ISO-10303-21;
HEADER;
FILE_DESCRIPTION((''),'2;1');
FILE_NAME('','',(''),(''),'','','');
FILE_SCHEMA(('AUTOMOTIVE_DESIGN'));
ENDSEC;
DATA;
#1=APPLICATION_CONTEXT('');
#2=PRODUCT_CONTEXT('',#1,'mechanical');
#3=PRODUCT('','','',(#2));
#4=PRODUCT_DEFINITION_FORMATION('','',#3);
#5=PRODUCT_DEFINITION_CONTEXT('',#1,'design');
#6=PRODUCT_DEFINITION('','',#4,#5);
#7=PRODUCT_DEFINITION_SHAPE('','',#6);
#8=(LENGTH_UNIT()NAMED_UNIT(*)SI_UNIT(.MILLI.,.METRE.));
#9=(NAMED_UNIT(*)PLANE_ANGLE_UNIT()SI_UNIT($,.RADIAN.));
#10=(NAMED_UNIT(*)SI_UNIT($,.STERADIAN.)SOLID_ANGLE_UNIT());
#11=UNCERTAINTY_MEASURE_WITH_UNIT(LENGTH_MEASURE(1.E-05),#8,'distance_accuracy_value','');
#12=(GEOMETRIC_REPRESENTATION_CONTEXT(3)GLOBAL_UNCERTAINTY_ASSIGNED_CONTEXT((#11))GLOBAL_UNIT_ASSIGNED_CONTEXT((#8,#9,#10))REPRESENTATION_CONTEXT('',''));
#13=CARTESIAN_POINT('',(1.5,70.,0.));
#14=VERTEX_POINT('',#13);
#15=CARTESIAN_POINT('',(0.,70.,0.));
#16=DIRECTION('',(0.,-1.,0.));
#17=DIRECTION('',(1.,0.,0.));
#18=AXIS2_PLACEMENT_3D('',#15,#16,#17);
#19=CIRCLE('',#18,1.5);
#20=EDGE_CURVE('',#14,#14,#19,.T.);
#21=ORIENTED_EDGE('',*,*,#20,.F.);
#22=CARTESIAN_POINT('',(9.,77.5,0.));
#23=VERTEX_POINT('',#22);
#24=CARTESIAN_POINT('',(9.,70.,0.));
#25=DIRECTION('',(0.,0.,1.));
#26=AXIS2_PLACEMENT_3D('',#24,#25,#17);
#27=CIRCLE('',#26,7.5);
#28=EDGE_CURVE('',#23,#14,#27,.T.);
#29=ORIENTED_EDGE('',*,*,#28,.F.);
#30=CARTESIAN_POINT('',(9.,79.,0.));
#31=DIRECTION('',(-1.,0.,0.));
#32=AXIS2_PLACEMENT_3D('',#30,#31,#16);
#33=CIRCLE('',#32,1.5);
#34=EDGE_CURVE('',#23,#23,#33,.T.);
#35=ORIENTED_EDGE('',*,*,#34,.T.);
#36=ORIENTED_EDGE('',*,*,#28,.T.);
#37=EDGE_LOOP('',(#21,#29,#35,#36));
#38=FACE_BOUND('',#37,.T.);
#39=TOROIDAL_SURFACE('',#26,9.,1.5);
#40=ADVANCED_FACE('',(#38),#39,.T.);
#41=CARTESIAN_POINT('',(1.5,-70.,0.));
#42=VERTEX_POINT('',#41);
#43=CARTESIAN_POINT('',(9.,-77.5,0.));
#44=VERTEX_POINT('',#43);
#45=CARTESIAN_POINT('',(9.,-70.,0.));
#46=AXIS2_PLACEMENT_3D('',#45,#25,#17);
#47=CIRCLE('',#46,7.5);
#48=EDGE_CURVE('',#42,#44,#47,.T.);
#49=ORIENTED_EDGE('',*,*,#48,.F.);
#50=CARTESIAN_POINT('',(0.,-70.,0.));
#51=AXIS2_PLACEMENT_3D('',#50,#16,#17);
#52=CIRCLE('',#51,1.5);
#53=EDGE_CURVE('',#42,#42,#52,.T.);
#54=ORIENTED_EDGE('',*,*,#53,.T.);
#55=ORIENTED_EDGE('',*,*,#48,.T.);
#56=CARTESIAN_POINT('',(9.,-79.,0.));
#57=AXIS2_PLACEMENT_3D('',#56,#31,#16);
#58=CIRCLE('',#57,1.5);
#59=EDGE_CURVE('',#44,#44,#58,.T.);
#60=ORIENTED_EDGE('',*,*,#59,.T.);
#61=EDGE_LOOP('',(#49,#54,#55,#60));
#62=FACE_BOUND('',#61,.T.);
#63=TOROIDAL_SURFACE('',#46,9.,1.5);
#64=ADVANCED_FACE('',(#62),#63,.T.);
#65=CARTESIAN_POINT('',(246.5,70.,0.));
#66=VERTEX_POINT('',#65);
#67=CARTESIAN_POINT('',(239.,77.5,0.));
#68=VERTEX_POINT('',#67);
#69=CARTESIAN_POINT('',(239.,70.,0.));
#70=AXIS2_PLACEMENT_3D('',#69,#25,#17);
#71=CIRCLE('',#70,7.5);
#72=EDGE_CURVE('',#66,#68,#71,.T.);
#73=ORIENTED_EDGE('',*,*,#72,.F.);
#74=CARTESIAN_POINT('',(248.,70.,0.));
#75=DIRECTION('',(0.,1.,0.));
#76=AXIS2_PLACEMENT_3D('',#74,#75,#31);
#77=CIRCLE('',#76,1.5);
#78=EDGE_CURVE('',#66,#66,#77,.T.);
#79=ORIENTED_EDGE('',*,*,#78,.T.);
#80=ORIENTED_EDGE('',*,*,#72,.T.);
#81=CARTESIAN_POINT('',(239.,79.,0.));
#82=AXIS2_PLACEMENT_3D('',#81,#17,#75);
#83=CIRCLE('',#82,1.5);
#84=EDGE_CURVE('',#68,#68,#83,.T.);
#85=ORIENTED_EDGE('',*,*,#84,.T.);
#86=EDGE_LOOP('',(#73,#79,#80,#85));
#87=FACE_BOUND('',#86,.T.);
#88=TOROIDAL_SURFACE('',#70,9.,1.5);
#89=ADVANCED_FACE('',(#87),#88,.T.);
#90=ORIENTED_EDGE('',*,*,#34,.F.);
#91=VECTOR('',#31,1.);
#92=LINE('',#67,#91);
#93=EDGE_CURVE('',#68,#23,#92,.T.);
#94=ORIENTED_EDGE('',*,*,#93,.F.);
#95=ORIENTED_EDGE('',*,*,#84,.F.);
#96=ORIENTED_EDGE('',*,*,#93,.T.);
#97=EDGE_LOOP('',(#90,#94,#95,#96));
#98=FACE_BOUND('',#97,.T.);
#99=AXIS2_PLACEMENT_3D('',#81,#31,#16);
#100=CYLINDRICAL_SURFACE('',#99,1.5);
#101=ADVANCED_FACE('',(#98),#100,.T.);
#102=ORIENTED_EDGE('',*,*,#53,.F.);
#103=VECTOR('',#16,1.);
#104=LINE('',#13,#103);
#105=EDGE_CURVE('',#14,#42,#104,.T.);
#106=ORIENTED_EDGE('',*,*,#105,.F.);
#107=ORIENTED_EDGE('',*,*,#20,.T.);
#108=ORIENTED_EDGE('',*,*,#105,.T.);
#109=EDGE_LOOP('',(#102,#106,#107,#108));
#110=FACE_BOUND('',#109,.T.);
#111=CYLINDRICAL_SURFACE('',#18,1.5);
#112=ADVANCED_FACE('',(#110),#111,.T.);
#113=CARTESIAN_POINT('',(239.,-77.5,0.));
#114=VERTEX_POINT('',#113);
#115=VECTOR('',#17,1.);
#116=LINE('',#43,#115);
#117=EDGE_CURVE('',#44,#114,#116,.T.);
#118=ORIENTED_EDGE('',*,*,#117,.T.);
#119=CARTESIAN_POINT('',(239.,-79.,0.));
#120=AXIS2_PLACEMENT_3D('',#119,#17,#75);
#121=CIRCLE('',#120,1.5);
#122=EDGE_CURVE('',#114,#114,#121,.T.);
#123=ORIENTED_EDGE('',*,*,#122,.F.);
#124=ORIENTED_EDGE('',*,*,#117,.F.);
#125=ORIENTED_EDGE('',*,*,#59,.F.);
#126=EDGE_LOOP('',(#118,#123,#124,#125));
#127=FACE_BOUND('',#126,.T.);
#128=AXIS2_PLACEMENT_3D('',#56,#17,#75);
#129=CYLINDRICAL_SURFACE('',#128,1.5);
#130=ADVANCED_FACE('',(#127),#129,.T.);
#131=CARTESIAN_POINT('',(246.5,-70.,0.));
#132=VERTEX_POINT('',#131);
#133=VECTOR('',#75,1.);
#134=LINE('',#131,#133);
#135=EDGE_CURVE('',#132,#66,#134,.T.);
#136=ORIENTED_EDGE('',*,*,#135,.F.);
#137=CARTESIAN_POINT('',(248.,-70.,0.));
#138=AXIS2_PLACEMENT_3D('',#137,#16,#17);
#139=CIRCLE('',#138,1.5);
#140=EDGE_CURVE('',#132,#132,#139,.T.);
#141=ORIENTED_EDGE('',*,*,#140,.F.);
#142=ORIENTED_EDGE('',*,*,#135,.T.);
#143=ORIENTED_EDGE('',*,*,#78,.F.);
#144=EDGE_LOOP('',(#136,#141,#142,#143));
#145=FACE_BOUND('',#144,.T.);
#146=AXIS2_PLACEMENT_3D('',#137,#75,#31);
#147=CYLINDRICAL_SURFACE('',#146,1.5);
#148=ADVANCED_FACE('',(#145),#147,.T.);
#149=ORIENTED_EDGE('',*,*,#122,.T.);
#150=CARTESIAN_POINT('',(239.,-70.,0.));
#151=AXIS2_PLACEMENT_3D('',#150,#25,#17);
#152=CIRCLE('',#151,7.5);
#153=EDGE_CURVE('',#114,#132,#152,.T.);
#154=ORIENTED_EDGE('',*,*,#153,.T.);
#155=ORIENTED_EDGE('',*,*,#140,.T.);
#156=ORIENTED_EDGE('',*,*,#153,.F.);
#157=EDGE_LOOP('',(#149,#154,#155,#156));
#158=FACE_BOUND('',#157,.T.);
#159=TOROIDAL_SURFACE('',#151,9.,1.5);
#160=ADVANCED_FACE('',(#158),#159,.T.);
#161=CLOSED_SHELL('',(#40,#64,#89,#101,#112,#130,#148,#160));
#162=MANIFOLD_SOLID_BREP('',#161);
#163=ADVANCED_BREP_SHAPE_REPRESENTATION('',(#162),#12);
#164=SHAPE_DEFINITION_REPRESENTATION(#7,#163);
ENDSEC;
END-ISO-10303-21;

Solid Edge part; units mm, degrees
sketch "Sketch1" plane through (0, 0, 0) normal (0, 0, 1) x (1, 0, 0)
  line L0 (0, 70) -> (0, -70)
  arc A0 (9, -79) -> (0, -70) centre (9, -70) cw
  line L1 (9, -79) -> (239, -79)
  arc A1 (248, -70) -> (239, -79) centre (239, -70) cw
  line L2 (248, -70) -> (248, 70)
  arc A2 (239, 79) -> (248, 70) centre (239, 70) cw
  line L3 (239, 79) -> (9, 79)
  arc A3 (0, 70) -> (9, 79) centre (9, 70) cw
  dimension "D1" = 248
  dimension "D2" = 158
sketch "Sketch2" plane through (0, 0, 0) normal (0, -1, 0) x (1, 0, 0)
  circle A0 centre (0, 0) radius 1.5
  dimension "D1" = 3
sweep "SweptProtrusion1" add profiles "Sketch2" path "Sketch1"
